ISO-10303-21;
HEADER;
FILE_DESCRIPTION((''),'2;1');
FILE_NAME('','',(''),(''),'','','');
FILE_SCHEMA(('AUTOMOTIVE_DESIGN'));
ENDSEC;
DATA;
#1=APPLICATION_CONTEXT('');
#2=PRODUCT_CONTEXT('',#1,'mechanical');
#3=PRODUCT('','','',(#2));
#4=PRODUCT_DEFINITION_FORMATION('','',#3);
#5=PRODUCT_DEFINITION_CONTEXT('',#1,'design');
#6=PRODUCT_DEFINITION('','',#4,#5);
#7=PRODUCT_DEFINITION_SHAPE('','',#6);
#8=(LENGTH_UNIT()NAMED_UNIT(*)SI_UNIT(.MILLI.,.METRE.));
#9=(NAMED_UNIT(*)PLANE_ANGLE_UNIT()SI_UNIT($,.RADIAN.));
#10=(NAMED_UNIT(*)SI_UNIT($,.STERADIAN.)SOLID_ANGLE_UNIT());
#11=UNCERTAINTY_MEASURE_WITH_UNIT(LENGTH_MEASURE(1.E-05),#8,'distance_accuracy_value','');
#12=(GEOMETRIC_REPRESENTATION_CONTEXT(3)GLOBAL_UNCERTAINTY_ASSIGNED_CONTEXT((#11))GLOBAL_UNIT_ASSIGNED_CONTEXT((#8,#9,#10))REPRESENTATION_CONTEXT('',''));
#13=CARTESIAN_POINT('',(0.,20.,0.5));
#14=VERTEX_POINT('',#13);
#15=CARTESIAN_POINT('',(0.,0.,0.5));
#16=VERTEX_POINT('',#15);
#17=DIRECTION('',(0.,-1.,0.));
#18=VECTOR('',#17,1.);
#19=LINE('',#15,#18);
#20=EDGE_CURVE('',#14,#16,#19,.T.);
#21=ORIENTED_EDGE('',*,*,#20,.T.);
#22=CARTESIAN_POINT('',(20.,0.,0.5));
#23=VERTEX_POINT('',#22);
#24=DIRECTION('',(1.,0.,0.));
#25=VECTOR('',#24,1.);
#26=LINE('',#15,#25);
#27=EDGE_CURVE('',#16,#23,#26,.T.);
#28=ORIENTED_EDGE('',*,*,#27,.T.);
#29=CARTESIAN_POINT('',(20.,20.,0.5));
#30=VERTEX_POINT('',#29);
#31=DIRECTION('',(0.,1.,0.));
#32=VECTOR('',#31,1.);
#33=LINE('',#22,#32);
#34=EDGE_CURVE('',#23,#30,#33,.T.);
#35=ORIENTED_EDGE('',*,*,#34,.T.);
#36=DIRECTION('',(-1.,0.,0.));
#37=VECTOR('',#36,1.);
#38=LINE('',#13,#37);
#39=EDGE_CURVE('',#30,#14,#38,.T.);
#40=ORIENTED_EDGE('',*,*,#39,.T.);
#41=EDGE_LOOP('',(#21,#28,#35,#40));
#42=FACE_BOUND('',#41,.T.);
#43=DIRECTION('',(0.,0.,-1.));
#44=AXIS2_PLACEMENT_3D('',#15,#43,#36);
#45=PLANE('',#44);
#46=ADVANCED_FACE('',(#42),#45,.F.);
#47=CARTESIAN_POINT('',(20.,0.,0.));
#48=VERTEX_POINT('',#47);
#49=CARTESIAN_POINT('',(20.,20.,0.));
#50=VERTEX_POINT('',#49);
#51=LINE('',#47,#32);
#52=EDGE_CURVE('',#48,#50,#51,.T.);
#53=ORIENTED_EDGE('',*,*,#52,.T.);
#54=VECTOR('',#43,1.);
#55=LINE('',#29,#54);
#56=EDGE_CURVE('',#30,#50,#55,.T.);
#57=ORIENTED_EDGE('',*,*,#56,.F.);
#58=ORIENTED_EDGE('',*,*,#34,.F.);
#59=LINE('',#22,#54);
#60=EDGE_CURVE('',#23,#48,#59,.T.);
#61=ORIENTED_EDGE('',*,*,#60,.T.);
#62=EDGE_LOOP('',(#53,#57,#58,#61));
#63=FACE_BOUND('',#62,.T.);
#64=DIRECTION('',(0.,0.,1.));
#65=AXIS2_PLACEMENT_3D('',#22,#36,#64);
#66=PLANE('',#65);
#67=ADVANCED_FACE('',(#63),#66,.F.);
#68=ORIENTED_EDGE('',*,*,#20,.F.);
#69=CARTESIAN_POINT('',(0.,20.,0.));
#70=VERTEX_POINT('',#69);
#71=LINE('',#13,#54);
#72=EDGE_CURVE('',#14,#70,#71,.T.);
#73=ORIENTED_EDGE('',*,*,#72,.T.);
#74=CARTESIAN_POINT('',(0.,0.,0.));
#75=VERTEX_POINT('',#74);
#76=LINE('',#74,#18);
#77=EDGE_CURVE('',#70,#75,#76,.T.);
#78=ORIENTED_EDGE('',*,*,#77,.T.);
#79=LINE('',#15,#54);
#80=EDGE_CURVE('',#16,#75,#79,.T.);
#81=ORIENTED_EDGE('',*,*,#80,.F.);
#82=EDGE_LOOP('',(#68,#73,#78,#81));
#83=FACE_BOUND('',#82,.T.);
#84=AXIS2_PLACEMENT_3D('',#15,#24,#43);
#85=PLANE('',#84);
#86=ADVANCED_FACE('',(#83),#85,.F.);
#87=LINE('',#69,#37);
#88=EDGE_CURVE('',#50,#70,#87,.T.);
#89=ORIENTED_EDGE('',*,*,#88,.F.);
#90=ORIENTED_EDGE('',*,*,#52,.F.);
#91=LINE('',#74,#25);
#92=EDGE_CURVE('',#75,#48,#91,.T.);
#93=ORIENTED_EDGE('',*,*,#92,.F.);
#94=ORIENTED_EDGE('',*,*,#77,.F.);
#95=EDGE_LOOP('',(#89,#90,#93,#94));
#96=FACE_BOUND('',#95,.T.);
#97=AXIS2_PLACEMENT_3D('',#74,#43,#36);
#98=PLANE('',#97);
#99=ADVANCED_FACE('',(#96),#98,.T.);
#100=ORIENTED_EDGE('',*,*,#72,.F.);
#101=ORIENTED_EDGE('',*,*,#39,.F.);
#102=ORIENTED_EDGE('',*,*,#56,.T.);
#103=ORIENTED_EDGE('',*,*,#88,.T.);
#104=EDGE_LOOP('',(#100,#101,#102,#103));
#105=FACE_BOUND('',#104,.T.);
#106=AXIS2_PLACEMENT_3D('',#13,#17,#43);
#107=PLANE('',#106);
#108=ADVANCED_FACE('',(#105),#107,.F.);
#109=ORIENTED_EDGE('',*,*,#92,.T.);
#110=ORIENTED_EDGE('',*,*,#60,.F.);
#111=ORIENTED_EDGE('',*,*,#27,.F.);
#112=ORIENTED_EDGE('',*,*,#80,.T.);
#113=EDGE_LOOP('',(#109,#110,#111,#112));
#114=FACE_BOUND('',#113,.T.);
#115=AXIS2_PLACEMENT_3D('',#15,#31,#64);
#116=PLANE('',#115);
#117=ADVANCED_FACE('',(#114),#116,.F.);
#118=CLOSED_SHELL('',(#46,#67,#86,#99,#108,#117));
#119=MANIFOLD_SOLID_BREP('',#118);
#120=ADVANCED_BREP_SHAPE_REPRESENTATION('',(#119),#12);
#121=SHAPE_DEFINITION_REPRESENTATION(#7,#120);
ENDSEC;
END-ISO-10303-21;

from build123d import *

# Parameters (mm, degrees)
SKETCH_1_W      = 20
SKETCH_1_H      = 20
EXTRUDE_1_DEPTH = 0.5


with BuildPart() as part:
    # 草图1 → 凸台-拉伸1 (new body)
    with BuildSketch(Plane.XY):
        with Locations((10, 10)):
            Rectangle(SKETCH_1_W, SKETCH_1_H)
    extrude(amount=EXTRUDE_1_DEPTH)


solid = part.part
